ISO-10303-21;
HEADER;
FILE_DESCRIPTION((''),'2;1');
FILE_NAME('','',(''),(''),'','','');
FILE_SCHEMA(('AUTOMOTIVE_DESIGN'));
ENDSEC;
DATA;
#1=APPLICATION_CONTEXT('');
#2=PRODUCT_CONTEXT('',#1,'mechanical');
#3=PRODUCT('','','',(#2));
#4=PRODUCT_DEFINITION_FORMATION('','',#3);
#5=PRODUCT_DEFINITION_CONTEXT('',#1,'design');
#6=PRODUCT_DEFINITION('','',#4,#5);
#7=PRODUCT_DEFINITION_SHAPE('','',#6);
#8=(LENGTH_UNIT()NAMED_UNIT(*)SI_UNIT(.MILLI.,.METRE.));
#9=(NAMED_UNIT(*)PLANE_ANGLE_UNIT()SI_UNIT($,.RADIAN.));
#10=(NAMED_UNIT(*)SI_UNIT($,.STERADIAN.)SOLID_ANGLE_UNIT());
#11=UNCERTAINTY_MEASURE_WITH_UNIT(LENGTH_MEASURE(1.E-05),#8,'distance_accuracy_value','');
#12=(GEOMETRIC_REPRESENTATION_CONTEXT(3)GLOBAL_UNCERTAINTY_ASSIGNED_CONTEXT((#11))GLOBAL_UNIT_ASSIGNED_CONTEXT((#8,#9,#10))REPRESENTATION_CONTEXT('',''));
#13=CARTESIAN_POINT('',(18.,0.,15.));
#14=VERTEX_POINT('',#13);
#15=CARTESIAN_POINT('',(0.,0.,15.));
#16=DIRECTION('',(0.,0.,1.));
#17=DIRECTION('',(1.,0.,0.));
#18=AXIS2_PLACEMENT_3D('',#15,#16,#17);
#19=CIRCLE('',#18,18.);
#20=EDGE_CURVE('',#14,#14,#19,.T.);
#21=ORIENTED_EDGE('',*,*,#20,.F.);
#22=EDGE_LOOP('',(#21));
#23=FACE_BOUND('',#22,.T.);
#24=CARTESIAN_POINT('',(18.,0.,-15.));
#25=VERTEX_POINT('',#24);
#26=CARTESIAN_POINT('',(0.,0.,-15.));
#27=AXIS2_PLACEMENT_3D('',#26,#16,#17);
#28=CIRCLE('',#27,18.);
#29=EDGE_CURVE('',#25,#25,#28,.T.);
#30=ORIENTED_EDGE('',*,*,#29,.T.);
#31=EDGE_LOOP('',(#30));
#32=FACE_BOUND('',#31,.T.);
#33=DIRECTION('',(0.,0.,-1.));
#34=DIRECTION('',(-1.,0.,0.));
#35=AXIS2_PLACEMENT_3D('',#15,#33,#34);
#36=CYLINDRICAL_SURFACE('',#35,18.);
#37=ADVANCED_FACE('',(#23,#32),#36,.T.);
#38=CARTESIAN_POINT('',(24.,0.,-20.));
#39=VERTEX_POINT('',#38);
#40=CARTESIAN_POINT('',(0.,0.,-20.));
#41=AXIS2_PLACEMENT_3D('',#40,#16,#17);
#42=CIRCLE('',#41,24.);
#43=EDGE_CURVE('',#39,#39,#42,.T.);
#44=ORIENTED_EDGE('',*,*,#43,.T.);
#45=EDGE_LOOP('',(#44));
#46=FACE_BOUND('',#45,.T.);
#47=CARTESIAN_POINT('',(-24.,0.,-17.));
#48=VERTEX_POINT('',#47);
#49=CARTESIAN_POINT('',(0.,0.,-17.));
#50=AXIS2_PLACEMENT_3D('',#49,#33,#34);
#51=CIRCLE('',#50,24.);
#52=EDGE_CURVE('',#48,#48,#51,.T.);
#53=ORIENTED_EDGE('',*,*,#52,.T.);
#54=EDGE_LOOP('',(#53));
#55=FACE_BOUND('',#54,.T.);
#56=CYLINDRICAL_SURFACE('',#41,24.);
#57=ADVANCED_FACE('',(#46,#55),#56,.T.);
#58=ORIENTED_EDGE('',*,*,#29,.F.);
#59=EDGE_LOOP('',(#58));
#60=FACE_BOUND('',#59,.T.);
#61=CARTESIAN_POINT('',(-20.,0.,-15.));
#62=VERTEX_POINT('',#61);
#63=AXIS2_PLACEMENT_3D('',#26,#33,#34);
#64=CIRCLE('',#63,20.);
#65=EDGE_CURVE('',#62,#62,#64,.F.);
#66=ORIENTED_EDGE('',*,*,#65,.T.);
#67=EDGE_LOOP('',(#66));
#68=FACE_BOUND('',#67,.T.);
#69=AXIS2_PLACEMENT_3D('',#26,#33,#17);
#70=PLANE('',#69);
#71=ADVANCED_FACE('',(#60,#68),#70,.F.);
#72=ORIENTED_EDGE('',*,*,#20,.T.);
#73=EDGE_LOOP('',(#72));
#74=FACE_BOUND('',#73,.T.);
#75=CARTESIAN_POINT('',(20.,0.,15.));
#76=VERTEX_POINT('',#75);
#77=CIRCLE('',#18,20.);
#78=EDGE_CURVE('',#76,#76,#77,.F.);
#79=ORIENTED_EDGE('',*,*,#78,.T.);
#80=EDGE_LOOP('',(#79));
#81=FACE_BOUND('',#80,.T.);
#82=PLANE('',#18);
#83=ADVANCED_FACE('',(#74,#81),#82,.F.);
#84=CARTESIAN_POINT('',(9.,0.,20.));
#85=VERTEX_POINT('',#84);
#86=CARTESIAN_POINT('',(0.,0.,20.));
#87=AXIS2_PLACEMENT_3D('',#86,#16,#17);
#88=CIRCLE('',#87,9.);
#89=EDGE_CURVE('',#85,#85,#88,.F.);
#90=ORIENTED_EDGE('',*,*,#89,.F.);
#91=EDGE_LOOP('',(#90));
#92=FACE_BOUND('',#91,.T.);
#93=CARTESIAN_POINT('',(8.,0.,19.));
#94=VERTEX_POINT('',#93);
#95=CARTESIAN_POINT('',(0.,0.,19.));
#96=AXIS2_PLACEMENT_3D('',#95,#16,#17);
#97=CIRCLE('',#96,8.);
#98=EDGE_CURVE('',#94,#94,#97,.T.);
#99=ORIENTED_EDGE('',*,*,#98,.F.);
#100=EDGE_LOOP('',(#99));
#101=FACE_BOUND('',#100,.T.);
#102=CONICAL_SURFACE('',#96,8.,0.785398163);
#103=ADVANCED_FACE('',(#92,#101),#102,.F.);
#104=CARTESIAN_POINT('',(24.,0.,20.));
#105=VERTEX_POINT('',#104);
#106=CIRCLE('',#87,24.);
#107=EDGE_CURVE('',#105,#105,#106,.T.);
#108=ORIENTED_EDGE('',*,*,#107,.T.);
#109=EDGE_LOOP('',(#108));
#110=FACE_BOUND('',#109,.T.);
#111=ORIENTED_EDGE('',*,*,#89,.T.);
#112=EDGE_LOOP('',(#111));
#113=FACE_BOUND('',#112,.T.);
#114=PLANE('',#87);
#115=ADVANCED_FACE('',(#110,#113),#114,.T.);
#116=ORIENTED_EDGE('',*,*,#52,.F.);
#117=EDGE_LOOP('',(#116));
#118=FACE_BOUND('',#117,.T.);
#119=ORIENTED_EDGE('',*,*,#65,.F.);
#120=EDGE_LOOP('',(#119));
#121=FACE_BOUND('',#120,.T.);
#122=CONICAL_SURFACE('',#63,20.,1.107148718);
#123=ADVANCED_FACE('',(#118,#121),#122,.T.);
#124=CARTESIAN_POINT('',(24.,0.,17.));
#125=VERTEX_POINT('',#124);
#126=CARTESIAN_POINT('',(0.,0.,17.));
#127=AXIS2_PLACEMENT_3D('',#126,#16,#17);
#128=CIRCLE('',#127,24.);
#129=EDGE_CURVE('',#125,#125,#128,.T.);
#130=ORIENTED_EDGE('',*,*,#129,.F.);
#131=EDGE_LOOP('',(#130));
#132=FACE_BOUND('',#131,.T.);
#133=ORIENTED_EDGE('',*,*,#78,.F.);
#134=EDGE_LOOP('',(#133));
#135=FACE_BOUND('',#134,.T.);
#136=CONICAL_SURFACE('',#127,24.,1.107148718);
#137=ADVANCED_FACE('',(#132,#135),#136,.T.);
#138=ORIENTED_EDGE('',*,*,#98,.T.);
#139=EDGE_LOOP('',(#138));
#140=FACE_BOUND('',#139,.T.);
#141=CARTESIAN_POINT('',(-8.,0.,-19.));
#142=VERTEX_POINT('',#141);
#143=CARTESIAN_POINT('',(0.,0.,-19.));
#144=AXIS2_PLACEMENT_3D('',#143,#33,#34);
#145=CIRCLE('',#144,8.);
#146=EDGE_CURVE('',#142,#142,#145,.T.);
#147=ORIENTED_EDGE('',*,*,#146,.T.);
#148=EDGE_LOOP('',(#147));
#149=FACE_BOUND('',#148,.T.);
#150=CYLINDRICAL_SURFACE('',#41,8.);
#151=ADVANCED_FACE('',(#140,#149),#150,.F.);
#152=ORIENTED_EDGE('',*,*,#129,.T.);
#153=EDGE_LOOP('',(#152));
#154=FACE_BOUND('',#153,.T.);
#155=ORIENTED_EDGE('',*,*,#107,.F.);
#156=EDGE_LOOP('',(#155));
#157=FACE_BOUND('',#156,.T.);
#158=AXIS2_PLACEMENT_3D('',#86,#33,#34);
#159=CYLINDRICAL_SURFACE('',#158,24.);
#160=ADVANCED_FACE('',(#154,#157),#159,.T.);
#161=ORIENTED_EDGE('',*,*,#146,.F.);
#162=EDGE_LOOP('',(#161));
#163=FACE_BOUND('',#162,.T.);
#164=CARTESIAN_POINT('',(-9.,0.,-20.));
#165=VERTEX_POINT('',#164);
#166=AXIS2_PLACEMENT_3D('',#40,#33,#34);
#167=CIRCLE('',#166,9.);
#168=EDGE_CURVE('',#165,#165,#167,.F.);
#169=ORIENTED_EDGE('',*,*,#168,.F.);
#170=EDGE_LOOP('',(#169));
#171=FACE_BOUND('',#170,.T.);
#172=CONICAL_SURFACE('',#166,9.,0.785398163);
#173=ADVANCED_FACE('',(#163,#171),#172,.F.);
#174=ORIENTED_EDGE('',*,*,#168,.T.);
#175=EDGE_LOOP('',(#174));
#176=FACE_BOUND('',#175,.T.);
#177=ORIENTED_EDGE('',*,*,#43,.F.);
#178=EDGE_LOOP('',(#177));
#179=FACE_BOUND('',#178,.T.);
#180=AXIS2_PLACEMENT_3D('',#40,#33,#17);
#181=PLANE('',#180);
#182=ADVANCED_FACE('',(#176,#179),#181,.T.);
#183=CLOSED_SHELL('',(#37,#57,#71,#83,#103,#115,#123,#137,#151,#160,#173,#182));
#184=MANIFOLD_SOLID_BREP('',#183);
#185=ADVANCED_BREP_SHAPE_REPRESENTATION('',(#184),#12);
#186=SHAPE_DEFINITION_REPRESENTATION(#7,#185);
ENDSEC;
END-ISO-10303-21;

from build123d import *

# Parameters (mm, degrees)
SKETCH1_R                 = 18
EXTRUDE1_DEPTH            = 15
SKETCH2_R                 = 24
EXTRUDE2_DEPTH            = 5
CHAMFER2_SIZE             = 4
CHAMFER2_SIZE2            = 2
CHAMFER2_OF_MIRROR2_SIZE2 = 4
CHAMFER2_OF_MIRROR2_SIZE  = 2
EXTRUDE3_DEPTH            = 40.395431207
EXTRUDE3_DEPTH_BACK       = 40.395431207
SKETCH3_R                 = 8
CHAMFER3_SIZE             = 1


with BuildPart() as part:
    # Sketch1 → Extrude1 (new, symmetric)
    with BuildSketch(Plane.XY):
        Circle(SKETCH1_R)
    extrude(amount=EXTRUDE1_DEPTH, both=True)

    # Sketch2 → Extrude2 (add)
    with BuildSketch(Plane.XY.offset(15)):
        Circle(SKETCH2_R)
    extrude2 = extrude(amount=EXTRUDE2_DEPTH)

    # Chamfer2
    chamfer2_edges = [part.edges().sort_by_distance(p)[0] for p in [
        (-24, 0, 15),
    ]]
    chamfer2_side = [part.faces().sort_by_distance(p)[0] for p in [
        (-23.32117749, 0, 15),
    ]]
    chamfer(chamfer2_edges, length=CHAMFER2_SIZE, length2=CHAMFER2_SIZE2, reference=chamfer2_side[0])

    # Mirror2: Extrude2 across plane
    add(extrude2.mirror(Plane.XY))

    # Chamfer2 of Mirror2
    chamfer2_of_mirror2_edges = [part.edges().sort_by_distance(p)[0] for p in [
        (-24, 0, -15),
    ]]
    chamfer(chamfer2_of_mirror2_edges, length=CHAMFER2_OF_MIRROR2_SIZE, length2=CHAMFER2_OF_MIRROR2_SIZE2)

    # Sketch3 → Extrude3 (cut, two sides: drawn at the far end of the back side and taken through both)
    with BuildSketch(Plane.XY.offset(-EXTRUDE3_DEPTH_BACK)):
        Circle(SKETCH3_R)
    extrude(amount=EXTRUDE3_DEPTH + EXTRUDE3_DEPTH_BACK, mode=Mode.SUBTRACT)

    # Chamfer3
    chamfer3_edges = [part.edges().sort_by_distance(p)[0] for p in [
        (-8, 0, -20),
        (-8, 0, 20),
    ]]
    chamfer(chamfer3_edges, length=CHAMFER3_SIZE)


solid = part.part
